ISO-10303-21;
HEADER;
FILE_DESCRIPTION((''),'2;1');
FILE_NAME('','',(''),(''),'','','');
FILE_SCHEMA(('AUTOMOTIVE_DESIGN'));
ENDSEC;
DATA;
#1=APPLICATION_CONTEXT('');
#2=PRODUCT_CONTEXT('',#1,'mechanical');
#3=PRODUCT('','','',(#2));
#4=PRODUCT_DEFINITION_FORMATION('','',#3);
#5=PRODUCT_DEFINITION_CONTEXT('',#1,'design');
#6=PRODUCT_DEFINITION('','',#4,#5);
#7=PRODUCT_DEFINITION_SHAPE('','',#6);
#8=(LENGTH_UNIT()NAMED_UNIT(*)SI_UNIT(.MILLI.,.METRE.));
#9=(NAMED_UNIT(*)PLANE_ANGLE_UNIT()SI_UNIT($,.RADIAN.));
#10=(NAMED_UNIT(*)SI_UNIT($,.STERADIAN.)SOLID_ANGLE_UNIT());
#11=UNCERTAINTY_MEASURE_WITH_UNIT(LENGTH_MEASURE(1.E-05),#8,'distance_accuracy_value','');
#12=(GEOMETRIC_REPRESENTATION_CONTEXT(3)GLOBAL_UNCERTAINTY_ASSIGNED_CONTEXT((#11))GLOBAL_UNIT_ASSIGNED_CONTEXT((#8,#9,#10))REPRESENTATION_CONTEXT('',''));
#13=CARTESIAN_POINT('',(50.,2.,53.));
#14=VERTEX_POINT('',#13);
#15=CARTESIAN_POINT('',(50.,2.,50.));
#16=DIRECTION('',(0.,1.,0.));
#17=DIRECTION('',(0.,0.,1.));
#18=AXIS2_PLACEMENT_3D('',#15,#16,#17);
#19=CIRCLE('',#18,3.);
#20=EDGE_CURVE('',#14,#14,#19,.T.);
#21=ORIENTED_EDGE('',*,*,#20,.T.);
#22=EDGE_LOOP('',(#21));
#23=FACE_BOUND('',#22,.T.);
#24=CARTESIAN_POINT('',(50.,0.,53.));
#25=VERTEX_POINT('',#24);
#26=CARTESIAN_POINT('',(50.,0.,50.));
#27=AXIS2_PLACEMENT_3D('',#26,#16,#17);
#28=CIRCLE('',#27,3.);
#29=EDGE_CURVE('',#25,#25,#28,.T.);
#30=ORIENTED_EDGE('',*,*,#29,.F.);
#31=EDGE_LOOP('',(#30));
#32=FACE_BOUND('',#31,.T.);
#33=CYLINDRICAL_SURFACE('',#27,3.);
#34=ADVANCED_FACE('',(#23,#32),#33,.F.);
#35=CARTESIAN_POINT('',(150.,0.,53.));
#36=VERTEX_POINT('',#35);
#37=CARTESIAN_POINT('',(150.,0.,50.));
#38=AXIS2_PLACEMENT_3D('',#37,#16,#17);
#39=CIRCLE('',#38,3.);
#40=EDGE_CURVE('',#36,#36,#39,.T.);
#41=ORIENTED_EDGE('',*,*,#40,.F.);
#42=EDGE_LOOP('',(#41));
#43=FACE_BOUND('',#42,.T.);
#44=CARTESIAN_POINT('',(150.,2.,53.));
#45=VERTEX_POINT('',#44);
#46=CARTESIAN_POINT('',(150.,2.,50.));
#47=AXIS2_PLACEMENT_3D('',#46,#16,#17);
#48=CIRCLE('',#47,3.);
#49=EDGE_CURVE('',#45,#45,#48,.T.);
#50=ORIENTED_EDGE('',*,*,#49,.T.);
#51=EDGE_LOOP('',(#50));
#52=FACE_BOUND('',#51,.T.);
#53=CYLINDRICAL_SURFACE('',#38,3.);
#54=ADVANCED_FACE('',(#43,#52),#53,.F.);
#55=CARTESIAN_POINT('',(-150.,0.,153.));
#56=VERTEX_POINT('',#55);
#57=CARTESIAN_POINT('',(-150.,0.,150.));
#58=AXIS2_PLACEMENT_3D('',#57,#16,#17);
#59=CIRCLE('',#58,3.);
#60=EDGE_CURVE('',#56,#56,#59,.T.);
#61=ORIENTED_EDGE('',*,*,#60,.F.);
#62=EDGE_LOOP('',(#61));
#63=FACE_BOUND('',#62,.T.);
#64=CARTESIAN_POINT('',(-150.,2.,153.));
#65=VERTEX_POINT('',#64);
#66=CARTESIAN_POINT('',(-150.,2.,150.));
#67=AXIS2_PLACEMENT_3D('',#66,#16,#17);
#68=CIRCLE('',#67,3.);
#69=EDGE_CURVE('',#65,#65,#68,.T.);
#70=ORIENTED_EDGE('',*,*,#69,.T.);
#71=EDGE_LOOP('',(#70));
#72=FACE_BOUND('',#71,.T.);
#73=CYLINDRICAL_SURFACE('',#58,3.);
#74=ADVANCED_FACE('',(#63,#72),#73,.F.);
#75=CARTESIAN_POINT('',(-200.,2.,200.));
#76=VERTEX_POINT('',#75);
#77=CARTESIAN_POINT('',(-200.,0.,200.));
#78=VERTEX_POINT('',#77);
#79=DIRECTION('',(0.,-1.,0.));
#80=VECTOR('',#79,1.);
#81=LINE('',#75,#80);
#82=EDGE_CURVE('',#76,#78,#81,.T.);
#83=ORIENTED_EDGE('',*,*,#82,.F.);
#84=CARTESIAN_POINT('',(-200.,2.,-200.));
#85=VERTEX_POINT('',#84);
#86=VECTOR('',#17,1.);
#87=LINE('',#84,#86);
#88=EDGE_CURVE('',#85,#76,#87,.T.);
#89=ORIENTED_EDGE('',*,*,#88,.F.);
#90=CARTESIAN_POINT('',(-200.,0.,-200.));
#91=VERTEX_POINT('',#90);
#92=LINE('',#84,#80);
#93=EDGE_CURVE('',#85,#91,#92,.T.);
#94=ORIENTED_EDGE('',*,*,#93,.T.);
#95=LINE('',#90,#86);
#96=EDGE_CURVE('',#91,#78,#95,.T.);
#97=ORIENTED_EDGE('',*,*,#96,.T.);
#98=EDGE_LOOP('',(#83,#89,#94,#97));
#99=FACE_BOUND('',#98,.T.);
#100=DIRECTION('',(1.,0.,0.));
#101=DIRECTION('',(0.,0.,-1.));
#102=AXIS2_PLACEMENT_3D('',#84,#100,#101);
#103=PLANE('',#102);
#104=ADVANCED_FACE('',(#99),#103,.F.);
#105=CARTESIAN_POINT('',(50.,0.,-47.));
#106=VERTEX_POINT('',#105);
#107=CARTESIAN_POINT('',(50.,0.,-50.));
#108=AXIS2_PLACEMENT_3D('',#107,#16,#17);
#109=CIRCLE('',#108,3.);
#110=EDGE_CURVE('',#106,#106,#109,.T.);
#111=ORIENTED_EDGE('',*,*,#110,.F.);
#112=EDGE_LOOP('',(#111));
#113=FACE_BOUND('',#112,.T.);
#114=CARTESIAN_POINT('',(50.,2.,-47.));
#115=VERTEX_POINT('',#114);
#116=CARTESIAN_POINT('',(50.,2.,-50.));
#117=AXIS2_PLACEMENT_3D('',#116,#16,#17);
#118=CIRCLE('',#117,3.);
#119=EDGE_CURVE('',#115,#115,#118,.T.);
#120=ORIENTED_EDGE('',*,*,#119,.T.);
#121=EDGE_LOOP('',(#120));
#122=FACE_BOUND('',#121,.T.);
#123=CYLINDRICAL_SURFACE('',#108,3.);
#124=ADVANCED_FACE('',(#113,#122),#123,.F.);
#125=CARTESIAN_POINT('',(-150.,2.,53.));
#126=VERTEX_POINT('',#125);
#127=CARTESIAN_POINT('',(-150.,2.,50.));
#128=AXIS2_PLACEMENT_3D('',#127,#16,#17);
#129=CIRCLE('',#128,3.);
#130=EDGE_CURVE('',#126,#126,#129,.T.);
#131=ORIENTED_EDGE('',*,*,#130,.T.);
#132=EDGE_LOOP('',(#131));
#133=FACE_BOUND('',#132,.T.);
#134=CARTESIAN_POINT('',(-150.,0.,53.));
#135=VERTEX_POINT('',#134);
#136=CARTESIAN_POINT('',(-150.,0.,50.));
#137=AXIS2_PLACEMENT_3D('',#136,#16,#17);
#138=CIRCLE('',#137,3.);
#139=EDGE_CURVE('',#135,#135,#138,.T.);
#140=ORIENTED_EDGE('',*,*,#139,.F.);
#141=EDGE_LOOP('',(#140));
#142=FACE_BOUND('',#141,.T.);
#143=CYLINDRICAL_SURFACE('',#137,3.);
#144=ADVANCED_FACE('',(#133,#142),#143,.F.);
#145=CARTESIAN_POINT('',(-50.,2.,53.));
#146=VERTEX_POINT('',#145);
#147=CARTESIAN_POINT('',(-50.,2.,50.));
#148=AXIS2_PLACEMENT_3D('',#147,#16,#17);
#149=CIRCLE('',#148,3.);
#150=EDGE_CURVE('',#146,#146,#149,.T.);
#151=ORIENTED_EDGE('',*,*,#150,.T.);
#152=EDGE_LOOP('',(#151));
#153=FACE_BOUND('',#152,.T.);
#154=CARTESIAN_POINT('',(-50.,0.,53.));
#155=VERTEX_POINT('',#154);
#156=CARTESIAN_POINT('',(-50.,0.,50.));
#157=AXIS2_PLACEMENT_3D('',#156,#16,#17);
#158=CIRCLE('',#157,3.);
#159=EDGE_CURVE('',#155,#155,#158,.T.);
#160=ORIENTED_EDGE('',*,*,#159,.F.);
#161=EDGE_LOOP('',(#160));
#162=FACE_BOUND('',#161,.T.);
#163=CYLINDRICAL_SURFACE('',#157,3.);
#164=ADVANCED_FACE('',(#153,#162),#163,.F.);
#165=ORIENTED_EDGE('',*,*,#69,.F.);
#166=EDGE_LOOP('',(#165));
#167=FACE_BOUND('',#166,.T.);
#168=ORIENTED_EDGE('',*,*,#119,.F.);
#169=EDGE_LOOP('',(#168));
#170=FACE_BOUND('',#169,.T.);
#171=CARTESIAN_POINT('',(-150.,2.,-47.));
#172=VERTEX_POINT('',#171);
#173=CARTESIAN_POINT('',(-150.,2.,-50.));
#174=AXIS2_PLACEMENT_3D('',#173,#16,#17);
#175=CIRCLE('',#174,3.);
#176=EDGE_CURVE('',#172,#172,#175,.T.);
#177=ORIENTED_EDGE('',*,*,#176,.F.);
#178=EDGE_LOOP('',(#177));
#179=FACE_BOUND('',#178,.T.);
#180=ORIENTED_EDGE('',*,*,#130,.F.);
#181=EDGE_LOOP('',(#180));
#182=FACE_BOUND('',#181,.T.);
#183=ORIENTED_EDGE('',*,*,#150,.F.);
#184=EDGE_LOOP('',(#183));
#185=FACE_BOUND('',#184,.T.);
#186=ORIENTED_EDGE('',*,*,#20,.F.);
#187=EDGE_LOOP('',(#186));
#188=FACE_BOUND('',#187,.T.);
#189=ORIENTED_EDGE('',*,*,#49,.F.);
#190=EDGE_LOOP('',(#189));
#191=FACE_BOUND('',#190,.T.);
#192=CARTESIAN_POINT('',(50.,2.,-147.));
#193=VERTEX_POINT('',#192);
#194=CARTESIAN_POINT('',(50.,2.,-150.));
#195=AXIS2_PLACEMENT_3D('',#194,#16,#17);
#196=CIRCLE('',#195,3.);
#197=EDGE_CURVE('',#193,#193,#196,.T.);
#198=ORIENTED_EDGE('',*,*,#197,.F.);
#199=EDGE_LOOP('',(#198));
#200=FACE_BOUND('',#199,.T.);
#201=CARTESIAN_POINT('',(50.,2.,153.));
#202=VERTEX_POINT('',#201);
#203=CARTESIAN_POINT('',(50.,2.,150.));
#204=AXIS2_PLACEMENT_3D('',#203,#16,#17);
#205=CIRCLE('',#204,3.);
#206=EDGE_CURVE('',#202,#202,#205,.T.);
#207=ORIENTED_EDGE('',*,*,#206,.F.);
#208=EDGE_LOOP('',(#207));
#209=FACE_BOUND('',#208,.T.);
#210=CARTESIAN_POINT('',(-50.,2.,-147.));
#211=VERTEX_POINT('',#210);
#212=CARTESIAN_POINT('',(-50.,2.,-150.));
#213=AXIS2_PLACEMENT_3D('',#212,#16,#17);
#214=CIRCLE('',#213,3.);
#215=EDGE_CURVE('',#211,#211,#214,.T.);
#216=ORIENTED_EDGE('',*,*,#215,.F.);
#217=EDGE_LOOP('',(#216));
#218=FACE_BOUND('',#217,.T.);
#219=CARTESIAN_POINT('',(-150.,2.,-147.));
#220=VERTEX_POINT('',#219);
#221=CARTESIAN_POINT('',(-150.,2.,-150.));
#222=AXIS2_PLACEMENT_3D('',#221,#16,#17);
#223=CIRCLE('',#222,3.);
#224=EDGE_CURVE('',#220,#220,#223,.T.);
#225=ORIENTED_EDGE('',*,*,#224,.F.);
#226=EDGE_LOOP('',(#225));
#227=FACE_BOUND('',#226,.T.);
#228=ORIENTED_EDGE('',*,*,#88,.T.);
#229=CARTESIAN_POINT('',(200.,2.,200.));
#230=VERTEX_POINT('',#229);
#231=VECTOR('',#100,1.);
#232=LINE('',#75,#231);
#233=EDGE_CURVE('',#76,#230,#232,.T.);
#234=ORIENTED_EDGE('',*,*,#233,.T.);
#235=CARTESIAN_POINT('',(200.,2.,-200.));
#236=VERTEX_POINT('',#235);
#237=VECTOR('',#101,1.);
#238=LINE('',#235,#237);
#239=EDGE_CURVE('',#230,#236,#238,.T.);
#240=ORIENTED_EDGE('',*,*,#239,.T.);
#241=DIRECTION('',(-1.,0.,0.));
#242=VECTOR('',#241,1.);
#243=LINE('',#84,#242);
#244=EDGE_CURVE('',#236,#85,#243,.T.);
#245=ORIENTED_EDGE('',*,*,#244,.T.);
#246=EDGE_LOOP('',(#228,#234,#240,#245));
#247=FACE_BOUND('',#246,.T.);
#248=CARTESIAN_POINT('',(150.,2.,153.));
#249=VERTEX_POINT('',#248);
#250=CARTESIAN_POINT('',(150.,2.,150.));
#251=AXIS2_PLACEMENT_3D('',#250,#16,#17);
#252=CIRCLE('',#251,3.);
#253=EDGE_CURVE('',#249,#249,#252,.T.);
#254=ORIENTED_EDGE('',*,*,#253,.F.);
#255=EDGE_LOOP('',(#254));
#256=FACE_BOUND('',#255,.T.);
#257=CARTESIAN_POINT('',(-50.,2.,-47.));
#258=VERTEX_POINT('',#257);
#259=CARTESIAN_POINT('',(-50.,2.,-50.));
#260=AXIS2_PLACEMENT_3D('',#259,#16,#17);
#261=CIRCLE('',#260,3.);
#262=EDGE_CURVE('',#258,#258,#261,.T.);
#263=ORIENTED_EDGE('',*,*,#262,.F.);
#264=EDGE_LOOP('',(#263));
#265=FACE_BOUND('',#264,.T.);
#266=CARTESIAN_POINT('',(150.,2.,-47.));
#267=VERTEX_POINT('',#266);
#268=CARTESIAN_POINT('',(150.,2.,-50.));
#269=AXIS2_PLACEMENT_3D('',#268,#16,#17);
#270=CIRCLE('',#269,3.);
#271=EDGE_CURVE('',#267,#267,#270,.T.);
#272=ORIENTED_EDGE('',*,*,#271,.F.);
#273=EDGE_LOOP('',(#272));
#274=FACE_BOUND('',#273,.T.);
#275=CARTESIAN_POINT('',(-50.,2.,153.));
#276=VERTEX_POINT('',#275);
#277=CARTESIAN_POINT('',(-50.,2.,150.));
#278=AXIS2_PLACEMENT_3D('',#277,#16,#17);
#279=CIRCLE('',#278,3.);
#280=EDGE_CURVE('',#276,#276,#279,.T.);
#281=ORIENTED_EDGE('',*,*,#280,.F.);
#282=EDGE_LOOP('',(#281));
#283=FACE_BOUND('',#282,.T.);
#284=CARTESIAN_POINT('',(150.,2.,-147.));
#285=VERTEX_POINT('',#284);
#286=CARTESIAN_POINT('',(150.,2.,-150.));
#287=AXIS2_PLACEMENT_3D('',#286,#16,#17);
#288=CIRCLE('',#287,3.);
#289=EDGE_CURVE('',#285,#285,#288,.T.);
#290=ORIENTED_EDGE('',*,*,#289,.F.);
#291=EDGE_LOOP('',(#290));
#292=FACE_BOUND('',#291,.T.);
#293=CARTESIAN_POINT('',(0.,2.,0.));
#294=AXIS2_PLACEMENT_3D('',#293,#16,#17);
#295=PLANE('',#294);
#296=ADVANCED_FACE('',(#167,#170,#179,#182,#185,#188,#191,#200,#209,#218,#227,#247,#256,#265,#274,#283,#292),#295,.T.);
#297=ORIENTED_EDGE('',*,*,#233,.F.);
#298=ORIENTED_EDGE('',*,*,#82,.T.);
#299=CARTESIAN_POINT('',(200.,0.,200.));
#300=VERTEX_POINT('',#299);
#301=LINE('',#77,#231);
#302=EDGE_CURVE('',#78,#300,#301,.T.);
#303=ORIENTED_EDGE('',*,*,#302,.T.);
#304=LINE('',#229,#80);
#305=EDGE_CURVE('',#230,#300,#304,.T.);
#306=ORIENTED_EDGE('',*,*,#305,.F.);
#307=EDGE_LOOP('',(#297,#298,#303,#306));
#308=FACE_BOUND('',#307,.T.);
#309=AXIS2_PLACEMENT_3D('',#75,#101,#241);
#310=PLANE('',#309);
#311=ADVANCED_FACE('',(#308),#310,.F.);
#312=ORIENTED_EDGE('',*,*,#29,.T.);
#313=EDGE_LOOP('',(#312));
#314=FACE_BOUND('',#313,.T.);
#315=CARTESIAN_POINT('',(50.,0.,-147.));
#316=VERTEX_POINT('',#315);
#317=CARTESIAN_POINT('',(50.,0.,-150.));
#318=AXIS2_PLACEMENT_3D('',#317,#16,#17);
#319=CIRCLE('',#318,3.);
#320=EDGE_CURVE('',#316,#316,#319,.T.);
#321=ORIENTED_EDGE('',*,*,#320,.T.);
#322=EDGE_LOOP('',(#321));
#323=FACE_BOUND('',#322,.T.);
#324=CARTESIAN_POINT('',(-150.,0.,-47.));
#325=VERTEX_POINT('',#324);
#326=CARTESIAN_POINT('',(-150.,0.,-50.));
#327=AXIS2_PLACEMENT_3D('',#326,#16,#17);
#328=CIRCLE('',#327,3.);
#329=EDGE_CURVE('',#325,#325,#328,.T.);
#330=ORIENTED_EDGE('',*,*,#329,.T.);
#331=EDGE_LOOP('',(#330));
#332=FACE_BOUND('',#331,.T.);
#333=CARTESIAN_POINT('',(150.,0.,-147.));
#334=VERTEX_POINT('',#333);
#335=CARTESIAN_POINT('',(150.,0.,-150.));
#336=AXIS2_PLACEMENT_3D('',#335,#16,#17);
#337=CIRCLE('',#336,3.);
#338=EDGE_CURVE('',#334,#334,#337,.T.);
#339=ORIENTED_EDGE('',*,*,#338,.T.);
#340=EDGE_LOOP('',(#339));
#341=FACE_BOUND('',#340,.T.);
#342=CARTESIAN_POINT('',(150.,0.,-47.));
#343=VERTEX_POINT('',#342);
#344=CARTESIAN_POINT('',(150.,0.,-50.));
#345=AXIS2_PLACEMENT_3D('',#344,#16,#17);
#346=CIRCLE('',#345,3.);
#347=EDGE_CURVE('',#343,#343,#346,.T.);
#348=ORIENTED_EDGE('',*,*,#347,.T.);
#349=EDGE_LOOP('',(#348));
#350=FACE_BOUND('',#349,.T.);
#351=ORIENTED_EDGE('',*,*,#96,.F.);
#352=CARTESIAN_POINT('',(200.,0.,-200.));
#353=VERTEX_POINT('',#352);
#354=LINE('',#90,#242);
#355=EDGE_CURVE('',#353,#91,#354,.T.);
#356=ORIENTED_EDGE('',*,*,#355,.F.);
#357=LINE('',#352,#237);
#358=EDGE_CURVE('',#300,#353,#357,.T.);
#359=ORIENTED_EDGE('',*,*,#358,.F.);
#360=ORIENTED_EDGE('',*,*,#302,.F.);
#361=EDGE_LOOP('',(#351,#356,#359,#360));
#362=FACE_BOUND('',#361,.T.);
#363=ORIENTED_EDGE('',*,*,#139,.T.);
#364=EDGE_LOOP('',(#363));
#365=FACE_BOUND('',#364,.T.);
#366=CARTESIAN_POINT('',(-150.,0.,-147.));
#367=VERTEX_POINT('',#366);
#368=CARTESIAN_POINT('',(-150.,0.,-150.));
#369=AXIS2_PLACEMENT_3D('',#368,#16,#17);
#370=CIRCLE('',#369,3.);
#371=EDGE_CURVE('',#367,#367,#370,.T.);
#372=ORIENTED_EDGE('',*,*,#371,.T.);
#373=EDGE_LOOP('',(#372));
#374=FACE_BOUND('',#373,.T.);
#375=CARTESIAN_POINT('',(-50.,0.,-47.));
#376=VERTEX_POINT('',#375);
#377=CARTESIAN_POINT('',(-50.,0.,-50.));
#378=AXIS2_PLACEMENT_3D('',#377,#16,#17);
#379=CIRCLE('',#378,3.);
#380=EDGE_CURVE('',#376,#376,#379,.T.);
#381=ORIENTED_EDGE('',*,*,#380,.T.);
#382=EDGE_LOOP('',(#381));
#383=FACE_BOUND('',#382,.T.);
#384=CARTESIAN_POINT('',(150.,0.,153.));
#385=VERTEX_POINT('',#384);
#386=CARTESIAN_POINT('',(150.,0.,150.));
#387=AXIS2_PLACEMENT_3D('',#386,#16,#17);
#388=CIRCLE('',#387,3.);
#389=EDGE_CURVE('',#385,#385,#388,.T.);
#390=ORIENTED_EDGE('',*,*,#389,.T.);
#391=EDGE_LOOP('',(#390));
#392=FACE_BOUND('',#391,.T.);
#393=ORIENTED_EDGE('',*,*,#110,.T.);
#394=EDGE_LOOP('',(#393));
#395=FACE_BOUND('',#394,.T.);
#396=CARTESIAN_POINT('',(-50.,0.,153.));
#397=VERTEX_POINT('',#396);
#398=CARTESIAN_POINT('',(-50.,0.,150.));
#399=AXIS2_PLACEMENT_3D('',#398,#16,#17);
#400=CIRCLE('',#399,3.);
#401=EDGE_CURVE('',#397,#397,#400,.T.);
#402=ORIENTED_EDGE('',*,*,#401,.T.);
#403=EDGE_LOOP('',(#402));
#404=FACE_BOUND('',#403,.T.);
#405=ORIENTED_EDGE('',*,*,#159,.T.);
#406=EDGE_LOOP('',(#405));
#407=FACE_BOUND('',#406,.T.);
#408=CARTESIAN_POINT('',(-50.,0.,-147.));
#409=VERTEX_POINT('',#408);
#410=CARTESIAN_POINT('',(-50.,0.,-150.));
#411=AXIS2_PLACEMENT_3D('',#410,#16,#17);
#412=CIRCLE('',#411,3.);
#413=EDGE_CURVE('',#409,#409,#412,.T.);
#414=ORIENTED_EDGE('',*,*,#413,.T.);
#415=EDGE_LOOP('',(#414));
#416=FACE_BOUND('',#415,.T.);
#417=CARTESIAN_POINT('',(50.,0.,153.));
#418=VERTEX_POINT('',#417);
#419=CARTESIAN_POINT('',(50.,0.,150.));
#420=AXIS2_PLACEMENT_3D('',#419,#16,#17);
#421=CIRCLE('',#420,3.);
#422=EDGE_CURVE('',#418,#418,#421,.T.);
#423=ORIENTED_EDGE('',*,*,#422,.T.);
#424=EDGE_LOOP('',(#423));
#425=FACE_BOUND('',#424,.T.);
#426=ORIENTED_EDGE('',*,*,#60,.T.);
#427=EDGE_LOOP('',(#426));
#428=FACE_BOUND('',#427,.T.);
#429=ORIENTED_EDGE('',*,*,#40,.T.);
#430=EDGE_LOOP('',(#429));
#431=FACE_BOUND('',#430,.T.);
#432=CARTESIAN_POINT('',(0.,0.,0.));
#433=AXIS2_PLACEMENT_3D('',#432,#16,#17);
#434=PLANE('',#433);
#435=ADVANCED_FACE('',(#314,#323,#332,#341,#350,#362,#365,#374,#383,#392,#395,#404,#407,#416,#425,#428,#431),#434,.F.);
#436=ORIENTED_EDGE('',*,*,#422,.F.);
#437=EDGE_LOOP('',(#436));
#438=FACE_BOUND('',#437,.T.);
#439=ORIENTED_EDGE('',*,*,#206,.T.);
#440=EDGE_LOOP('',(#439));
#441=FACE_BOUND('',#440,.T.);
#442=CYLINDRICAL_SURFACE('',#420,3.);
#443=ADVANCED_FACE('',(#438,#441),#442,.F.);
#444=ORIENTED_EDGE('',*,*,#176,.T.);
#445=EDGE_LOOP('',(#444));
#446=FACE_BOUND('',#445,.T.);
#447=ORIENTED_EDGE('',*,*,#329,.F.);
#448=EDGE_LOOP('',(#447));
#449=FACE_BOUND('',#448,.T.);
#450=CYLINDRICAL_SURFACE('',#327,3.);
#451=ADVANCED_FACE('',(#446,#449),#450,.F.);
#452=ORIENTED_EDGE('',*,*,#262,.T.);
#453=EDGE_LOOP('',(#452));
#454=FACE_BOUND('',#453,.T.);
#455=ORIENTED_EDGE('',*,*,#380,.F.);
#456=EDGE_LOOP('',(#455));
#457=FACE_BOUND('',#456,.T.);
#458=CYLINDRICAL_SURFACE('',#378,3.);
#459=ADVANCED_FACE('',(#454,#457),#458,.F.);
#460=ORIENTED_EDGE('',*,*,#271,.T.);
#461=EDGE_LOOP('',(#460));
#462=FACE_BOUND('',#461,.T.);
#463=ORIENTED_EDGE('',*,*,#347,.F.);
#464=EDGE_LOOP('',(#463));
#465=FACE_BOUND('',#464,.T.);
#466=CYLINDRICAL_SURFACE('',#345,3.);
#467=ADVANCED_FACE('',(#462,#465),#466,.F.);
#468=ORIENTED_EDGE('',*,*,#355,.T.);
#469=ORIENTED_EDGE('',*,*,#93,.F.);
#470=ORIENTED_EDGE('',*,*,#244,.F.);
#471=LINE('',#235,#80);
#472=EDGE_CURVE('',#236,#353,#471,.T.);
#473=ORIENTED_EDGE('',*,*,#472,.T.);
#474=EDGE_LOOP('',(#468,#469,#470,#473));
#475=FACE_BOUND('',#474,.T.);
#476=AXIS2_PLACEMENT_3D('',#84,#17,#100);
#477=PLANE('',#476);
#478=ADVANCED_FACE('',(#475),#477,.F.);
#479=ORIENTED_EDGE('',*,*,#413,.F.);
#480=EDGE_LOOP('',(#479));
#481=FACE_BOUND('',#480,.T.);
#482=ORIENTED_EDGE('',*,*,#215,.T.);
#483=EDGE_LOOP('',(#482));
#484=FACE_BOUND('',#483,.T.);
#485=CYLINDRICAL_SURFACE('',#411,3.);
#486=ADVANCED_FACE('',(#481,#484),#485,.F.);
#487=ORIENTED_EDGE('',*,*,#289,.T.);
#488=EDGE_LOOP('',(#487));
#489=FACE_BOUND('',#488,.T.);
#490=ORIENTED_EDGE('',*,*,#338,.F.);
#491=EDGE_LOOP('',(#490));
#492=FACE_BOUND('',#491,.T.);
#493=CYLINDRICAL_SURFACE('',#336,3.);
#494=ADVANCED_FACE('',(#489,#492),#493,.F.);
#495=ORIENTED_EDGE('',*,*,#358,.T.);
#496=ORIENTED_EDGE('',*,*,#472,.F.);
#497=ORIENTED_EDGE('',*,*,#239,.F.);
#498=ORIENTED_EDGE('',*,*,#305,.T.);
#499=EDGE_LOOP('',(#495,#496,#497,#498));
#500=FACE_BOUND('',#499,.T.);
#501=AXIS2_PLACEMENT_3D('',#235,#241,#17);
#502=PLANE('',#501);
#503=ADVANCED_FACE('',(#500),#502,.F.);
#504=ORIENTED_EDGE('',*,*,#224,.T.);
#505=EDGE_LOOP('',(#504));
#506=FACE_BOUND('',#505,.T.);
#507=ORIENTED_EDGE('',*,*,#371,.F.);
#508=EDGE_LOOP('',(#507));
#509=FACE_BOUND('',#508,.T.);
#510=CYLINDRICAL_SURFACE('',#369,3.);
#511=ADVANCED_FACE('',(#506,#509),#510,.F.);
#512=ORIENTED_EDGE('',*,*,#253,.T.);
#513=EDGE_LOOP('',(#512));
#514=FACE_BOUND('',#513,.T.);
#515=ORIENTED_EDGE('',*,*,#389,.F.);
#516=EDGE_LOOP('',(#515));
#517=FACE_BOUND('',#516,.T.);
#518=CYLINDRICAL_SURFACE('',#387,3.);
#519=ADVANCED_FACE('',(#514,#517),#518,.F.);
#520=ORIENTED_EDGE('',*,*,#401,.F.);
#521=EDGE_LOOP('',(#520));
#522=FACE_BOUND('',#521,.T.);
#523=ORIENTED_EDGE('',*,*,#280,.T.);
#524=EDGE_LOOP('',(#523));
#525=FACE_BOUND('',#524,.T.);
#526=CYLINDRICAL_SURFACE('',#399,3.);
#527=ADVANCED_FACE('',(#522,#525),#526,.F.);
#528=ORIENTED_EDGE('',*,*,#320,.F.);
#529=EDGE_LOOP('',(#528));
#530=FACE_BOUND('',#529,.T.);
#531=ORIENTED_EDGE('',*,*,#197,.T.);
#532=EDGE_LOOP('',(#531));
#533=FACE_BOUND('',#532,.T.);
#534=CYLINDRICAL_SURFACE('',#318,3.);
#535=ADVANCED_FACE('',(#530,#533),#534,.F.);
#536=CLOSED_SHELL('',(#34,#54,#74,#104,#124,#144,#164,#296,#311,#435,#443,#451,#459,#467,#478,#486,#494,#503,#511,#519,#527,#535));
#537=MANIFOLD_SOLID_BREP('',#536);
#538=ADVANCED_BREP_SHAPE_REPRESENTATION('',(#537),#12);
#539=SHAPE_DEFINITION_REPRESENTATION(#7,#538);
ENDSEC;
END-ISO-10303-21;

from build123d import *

# Parameters (mm, degrees)
SKETCH1_W           = 400
SKETCH1_H           = 400
BOSS_EXTRUDE1_DEPTH = 2
SKETCH2_R           = 3
CUT_EXTRUDE1_DEPTH  = 283.849783454


with BuildPart() as part:
    # Sketch1 → Boss-Extrude1 (new body)
    with BuildSketch(Plane(origin=(0, 0, 0), x_dir=(1, 0, 0), z_dir=(0, 1, 0))):
        Rectangle(SKETCH1_W, SKETCH1_H)
    extrude(amount=BOSS_EXTRUDE1_DEPTH)

    # Sketch2 → Cut-Extrude1 (cut, through all)
    with BuildSketch(Plane(origin=(0, 2, 0), x_dir=(1, 0, 0), z_dir=(0, 1, 0))):
        with Locations(Location((-150, 150, 0), (0, 0, 270))):
            Circle(SKETCH2_R)
        with Locations(Location((-50, 150, 0), (0, 0, 270))):
            Circle(SKETCH2_R)
        with Locations(Location((50, 150, 0), (0, 0, 270))):
            Circle(SKETCH2_R)
        with Locations(Location((150, 150, 0), (0, 0, 270))):
            Circle(SKETCH2_R)
        with Locations(Location((-50, 50, 0), (0, 0, 270))):
            Circle(SKETCH2_R)
        with Locations(Location((50, 50, 0), (0, 0, 270))):
            Circle(SKETCH2_R)
        with Locations(Location((150, 50, 0), (0, 0, 270))):
            Circle(SKETCH2_R)
        with Locations(Location((-50, -50, 0), (0, 0, 270))):
            Circle(SKETCH2_R)
        with Locations(Location((50, -50, 0), (0, 0, 270))):
            Circle(SKETCH2_R)
        with Locations(Location((150, -50, 0), (0, 0, 270))):
            Circle(SKETCH2_R)
        with Locations(Location((-50, -150, 0), (0, 0, 270))):
            Circle(SKETCH2_R)
        with Locations(Location((50, -150, 0), (0, 0, 270))):
            Circle(SKETCH2_R)
        with Locations(Location((150, -150, 0), (0, 0, 270))):
            Circle(SKETCH2_R)
        with Locations(Location((-150, 50, 0), (0, 0, 270))):
            Circle(SKETCH2_R)
        with Locations(Location((-150, -50, 0), (0, 0, 270))):
            Circle(SKETCH2_R)
        with Locations(Location((-150, -150, 0), (0, 0, 270))):
            Circle(SKETCH2_R)
    extrude(amount=-CUT_EXTRUDE1_DEPTH, mode=Mode.SUBTRACT)


solid = part.part
